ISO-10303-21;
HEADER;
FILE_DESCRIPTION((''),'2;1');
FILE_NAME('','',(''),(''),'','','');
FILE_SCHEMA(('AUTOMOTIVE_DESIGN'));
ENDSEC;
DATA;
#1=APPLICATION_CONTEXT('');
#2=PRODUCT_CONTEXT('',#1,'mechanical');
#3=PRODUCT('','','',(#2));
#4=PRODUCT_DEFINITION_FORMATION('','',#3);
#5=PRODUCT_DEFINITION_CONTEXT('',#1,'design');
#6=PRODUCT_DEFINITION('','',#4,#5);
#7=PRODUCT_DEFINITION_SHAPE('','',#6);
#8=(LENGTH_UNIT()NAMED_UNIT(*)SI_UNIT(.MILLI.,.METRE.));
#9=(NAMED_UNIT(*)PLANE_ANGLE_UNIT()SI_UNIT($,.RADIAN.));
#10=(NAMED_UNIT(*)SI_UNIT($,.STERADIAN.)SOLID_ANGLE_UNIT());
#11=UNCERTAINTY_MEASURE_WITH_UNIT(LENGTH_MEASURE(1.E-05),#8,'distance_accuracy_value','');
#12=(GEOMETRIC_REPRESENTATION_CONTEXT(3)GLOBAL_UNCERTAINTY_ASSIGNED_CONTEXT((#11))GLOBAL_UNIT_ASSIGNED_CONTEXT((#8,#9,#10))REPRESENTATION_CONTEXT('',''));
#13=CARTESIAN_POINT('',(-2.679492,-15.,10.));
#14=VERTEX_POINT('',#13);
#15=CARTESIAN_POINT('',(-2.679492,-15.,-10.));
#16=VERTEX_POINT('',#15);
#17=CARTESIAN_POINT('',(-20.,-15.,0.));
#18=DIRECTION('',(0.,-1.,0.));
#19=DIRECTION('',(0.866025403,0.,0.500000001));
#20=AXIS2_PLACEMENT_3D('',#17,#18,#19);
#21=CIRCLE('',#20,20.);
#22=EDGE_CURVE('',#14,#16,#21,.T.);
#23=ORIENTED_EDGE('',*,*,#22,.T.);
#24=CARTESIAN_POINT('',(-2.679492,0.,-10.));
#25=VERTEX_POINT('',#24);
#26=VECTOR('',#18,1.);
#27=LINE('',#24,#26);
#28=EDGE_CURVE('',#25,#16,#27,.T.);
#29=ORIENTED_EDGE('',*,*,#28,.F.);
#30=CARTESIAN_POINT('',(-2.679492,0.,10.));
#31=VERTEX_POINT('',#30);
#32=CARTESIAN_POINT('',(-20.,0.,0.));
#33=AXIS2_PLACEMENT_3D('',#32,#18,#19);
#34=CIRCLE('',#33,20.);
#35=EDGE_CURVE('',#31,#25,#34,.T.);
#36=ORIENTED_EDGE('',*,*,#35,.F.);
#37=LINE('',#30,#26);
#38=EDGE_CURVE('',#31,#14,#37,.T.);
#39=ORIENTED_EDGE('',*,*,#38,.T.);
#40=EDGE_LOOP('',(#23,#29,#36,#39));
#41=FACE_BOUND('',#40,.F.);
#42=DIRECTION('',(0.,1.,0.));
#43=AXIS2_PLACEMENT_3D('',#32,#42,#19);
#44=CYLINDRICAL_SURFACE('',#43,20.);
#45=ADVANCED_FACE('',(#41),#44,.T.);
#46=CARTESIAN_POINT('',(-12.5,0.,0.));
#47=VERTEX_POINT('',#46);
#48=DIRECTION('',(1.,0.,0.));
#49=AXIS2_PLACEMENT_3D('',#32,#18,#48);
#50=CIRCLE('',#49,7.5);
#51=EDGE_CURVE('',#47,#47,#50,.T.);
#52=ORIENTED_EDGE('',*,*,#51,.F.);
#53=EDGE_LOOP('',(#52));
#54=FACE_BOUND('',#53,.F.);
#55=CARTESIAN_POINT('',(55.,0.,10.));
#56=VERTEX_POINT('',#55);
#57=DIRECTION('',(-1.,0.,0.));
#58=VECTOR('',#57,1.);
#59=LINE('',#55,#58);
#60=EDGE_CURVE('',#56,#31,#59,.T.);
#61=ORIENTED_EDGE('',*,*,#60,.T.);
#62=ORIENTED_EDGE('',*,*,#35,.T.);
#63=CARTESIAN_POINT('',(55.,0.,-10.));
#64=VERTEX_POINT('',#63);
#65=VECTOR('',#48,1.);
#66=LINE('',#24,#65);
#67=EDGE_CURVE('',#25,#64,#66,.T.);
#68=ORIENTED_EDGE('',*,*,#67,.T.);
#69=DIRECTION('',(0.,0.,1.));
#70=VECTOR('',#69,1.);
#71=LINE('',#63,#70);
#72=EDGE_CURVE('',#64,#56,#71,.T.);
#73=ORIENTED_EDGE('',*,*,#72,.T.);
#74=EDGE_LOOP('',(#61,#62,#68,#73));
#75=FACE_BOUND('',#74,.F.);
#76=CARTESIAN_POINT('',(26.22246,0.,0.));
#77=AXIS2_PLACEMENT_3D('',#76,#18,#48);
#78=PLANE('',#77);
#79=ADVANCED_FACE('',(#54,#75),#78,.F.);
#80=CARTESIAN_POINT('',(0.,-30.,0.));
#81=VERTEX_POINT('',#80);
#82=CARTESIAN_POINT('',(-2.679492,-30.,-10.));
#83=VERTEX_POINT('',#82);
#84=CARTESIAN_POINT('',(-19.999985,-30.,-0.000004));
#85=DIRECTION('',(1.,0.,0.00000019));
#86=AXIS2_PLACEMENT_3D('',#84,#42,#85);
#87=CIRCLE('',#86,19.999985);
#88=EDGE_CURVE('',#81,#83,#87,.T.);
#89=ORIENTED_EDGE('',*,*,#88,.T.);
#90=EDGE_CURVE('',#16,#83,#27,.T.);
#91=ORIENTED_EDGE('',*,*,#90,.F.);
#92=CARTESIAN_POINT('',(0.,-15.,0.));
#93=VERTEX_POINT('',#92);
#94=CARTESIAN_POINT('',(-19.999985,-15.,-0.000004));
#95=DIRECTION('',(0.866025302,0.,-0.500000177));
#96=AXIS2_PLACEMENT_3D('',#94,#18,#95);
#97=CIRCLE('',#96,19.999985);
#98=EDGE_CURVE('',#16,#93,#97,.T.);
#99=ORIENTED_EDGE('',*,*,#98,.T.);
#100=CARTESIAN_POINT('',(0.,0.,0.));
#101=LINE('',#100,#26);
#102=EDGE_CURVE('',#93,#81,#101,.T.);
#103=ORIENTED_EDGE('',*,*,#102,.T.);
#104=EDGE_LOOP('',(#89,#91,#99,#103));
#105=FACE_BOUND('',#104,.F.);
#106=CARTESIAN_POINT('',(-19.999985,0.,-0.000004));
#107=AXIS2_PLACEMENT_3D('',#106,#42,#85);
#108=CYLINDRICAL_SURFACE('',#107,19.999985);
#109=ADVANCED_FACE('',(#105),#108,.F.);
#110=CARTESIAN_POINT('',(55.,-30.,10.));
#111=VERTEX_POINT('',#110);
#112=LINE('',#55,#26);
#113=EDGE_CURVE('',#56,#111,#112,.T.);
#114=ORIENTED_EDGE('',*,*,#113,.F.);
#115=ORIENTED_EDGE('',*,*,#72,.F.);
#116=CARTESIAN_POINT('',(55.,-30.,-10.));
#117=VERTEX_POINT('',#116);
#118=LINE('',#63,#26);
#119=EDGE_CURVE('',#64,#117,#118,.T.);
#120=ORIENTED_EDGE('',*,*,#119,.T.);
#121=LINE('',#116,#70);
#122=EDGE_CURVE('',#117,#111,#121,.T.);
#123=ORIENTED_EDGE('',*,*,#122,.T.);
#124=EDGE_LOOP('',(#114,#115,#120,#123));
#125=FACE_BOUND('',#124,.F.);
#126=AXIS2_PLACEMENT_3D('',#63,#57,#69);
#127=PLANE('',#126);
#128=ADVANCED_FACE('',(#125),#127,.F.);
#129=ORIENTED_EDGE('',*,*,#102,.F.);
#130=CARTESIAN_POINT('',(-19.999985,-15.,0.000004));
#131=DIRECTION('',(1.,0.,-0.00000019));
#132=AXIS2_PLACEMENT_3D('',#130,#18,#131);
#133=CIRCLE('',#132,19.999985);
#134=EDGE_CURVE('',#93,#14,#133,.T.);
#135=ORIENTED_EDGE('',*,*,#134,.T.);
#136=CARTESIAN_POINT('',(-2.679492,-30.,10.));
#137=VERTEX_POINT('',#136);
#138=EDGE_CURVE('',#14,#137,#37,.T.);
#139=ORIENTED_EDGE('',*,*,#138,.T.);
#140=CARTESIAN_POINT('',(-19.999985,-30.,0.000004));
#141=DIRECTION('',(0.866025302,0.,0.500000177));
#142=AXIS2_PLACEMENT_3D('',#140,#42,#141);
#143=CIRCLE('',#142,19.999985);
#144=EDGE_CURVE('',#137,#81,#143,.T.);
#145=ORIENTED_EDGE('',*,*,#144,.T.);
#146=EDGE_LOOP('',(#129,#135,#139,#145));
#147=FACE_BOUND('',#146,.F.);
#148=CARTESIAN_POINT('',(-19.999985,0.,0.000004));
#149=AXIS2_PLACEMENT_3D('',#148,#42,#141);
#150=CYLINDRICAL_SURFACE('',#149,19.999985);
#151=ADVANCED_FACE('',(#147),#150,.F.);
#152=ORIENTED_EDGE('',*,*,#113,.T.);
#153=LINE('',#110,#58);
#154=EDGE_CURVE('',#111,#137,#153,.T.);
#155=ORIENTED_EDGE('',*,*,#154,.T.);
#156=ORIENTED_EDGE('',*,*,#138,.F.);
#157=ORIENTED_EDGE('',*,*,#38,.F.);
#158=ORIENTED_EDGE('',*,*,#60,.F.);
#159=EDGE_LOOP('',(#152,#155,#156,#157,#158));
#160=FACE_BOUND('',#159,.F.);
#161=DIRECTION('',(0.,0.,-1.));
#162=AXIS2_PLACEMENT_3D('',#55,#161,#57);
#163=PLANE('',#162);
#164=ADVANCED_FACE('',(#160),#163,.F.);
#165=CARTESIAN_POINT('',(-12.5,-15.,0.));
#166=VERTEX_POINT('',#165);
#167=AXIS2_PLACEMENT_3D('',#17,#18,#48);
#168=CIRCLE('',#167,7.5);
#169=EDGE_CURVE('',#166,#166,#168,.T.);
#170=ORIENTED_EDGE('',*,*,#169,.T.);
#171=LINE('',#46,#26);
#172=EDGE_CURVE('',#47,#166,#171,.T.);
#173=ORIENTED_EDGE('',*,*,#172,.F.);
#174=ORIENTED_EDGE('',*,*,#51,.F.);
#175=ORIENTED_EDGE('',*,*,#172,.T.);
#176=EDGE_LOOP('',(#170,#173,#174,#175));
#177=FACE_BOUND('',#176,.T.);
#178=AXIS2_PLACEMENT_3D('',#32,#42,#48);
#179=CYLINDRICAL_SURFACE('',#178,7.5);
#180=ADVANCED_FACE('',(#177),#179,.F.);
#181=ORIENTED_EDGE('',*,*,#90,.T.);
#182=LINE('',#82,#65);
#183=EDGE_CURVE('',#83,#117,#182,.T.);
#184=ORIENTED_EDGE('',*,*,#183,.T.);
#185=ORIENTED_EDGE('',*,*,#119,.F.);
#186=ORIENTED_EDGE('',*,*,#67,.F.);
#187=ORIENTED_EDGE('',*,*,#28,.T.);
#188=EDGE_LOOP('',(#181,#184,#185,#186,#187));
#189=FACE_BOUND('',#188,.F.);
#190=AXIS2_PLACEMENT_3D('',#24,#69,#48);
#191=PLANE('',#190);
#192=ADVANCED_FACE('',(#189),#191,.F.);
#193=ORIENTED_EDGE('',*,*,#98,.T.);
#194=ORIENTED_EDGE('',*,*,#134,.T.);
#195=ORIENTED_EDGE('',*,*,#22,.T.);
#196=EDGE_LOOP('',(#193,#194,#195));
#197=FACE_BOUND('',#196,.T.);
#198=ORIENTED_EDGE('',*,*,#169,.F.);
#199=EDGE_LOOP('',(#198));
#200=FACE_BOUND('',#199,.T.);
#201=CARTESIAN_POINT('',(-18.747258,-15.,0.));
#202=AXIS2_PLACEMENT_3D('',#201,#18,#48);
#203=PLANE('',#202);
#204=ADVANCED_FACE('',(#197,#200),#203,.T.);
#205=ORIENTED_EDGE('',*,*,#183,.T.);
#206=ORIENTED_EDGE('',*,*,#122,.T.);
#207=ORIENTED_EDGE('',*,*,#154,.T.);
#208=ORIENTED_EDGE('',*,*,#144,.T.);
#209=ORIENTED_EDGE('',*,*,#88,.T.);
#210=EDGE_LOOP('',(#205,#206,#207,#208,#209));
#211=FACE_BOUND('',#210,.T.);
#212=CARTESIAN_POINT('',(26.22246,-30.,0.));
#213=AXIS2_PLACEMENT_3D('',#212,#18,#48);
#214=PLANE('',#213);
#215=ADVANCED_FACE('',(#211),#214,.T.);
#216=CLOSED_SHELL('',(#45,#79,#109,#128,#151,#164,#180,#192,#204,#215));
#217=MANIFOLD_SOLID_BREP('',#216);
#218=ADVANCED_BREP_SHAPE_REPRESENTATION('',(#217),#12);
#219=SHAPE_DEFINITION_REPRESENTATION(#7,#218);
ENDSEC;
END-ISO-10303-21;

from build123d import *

# Parameters (mm, degrees)
F0_R     = 7.5
F1_DEPTH = 15
F2_DEPTH = 30


with BuildPart() as f1:
    # F0 (on Front) → F1 (new body)
    with BuildSketch(Plane.XZ):
        with BuildLine():
            ThreePointArc((-2.679492, -10), (-0.681483, -5.176381), (0, 0))
            ThreePointArc((0, 0), (-0.681483, 5.176381), (-2.679492, 10))
            ThreePointArc((-2.679492, 10), (-40, 0), (-2.679492, -10))
        make_face()
        with Locations((-20, 0)):
            Circle(F0_R, mode=Mode.SUBTRACT)
    extrude(amount=F1_DEPTH)

    # F0 (on Front) → F2 (join)
    with BuildSketch(Plane.XZ):
        with BuildLine():
            ThreePointArc((-2.679492, 10), (-0.681483, 5.176381), (0, 0))
            ThreePointArc((0, 0), (-0.681483, -5.176381), (-2.679492, -10))
            Line((-2.679492, -10), (55, -10))
            Line((55, -10), (55, 10))
            Line((55, 10), (-2.679492, 10))
        make_face()
    extrude(amount=F2_DEPTH)


solid = f1.part
